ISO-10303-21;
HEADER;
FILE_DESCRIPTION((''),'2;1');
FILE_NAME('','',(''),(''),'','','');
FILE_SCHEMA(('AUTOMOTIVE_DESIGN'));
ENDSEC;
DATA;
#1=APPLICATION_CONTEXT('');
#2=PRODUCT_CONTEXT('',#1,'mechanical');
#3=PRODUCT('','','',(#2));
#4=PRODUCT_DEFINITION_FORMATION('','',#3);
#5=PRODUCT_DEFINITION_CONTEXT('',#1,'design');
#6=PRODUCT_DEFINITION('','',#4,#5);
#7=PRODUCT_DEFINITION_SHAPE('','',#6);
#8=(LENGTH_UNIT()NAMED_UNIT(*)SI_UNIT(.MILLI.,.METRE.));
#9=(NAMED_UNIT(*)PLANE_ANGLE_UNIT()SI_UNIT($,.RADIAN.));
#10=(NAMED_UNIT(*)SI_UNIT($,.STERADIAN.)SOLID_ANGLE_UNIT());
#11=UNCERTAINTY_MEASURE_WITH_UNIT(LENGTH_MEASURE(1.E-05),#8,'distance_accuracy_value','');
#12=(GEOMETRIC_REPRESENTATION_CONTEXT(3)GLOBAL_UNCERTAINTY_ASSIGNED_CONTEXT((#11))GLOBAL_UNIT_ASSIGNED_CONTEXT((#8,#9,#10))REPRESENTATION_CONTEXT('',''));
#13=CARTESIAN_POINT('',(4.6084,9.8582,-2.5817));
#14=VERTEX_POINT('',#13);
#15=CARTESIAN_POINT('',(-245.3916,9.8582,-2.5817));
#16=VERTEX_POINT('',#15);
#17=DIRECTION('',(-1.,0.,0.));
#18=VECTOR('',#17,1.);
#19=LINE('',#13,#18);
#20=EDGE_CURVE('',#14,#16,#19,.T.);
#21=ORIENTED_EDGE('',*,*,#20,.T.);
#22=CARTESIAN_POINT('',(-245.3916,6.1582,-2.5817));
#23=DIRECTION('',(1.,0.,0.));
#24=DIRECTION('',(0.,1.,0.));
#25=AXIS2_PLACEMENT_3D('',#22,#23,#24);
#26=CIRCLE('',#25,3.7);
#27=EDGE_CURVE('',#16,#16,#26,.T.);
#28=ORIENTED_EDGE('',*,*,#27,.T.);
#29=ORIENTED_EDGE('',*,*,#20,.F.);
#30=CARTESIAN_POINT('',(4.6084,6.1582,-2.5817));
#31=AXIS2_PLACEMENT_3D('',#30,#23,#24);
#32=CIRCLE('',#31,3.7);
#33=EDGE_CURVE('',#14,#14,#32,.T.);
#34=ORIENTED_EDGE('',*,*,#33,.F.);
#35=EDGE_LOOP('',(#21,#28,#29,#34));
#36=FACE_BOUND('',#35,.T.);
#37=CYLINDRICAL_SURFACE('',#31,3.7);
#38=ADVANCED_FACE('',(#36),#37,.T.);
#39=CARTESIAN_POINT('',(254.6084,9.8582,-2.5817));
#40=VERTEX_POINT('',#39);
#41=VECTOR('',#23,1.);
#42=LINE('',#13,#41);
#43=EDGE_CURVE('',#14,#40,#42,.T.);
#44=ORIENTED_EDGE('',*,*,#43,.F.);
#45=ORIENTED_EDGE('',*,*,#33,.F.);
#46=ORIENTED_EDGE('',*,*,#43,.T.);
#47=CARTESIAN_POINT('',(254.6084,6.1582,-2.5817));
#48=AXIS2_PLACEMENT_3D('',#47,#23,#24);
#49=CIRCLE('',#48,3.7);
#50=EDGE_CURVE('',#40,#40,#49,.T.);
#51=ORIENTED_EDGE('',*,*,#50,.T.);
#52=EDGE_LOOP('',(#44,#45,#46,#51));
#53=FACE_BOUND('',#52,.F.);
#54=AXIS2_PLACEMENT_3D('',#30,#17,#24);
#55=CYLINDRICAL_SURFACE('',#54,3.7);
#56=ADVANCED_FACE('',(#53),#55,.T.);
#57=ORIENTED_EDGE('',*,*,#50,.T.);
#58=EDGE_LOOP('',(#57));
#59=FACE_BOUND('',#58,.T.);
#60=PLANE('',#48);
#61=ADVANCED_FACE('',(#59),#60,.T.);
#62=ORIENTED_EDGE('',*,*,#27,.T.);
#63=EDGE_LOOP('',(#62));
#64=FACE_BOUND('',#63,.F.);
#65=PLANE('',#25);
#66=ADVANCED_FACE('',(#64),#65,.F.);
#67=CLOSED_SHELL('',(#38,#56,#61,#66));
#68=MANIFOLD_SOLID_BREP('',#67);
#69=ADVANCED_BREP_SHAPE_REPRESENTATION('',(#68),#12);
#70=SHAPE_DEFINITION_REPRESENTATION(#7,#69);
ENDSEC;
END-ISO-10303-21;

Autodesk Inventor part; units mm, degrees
ref_plane "YZ Plane" through (0, 0, 0) normal (1, 0, 0) x (0, 1, 0)
ref_plane "XZ Plane" through (0, 0, 0) normal (0, 1, 0) x (-1, 0, 0)
ref_plane "XY Plane" through (0, 0, 0) normal (0, 0, 1) x (1, 0, 0)
ref_plane "Work Plane1" through (4.6084, 6.1582, -2.5817) normal (1, 0, 0) x (0, 1, 0)
sketch "Sketch1" plane through (4.6084, 6.1582, -2.5817) normal (1, 0, 0) x (0, 1, 0)
  circle A0 centre (0, 0) radius 3.7
  point P0 (-6.1582, 2.5817)
  dimension "d0" = 7.4
extrude "Extrusion1" add sketch "Sketch1" along normal mid plane 500
